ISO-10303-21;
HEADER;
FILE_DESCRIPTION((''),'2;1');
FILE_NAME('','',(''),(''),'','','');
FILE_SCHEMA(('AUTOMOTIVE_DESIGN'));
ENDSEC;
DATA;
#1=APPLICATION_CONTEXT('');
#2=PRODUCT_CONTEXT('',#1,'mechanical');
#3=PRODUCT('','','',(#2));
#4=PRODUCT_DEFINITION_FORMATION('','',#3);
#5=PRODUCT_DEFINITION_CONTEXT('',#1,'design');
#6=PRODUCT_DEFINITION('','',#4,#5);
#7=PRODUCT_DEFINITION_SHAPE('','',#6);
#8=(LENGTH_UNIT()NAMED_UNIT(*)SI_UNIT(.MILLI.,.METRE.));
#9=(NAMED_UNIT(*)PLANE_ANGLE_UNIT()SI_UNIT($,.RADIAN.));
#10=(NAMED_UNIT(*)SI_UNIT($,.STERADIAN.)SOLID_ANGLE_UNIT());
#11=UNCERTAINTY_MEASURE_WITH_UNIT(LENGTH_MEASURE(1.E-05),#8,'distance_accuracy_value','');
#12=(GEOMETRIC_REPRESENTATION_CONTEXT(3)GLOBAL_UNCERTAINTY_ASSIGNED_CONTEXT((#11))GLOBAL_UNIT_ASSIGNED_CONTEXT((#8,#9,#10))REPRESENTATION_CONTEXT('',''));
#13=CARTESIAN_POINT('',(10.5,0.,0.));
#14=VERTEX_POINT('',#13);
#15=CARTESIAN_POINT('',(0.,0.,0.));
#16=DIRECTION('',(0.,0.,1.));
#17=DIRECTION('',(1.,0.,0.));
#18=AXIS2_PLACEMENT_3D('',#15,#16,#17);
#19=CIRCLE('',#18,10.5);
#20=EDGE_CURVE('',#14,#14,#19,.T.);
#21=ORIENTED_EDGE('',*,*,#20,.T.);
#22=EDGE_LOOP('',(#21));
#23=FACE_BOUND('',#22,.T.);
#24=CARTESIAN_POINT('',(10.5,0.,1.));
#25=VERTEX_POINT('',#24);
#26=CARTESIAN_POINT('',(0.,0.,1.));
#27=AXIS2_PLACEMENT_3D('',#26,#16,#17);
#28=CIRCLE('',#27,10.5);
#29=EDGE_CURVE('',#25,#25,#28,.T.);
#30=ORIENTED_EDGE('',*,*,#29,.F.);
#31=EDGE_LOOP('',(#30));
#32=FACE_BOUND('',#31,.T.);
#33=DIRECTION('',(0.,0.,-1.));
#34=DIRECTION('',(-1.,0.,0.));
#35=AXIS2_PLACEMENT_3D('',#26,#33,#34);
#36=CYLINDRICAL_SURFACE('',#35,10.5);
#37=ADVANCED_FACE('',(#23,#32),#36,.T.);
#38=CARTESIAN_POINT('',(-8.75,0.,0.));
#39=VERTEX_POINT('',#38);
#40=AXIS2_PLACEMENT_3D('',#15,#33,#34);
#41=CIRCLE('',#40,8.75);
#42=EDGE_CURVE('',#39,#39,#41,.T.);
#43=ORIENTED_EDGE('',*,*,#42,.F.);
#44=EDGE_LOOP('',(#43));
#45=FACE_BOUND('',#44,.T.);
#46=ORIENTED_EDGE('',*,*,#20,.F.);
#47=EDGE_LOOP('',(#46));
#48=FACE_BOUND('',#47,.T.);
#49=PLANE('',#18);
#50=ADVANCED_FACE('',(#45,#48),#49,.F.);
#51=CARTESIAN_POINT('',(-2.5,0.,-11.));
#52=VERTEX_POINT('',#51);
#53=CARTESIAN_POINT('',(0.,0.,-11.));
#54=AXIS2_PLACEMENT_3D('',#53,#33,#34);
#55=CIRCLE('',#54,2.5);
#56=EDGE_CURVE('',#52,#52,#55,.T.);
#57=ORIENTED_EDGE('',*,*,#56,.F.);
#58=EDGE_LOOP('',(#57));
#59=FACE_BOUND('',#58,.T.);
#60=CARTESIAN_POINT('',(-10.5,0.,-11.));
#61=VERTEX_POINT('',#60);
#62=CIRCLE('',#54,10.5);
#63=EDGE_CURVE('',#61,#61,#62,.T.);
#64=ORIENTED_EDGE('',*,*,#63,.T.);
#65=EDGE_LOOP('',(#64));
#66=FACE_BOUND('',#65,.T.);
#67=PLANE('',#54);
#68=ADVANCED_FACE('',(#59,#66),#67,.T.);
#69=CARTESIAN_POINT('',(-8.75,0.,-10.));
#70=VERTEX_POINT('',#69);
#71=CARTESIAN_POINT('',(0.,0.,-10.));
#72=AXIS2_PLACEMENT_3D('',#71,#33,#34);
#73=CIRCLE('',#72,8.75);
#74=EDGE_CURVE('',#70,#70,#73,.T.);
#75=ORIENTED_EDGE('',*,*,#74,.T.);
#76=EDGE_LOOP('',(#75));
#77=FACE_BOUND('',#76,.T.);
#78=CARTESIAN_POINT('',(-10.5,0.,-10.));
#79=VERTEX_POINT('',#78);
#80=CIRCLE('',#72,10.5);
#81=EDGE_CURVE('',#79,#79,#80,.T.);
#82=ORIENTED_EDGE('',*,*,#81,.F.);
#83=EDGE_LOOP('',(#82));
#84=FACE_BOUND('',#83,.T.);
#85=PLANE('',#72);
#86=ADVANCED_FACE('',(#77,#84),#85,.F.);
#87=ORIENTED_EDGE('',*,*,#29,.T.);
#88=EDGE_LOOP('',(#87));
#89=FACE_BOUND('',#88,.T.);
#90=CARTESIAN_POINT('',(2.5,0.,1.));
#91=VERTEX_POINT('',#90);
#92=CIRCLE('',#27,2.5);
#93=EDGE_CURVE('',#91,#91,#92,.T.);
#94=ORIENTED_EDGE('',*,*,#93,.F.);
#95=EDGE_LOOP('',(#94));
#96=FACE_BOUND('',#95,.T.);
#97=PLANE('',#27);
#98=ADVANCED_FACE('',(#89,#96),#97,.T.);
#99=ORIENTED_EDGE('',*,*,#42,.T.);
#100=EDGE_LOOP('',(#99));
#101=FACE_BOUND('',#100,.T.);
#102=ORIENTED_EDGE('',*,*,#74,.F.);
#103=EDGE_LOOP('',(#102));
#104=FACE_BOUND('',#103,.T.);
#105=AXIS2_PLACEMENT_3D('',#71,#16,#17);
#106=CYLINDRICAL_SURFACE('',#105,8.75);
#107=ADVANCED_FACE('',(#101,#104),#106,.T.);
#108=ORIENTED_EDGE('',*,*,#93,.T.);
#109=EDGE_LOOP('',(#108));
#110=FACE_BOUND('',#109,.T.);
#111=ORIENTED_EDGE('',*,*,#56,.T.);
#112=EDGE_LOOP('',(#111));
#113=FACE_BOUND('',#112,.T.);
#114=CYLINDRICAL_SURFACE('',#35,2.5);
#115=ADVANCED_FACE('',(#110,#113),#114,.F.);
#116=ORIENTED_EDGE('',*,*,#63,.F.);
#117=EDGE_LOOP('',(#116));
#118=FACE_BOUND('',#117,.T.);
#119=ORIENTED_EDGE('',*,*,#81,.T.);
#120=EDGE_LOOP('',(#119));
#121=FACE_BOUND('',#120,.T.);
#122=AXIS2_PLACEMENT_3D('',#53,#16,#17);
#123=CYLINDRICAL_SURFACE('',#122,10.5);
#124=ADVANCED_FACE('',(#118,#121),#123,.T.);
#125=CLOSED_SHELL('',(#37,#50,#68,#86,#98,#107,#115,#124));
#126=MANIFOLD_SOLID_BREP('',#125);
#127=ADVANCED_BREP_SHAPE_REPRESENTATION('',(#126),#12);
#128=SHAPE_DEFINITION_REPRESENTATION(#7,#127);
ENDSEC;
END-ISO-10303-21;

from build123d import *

# Parameters (mm, degrees)
ESQUISSE1_R        = 10.5
ESQUISSE1_R_2      = 2.5
BOSS_EXTRU_1_DEPTH = 1
ESQUISSE2_R        = 8.75
ESQUISSE2_R_2      = 2.5
BOSS_EXTRU_2_DEPTH = 10
ESQUISSE3_R        = 10.5
ESQUISSE3_R_2      = 2.5
BOSS_EXTRU_3_DEPTH = 1


with BuildPart() as part:
    # Esquisse1 → Boss.-Extru.1 (new body)
    with BuildSketch(Plane.XY):
        Circle(ESQUISSE1_R)
        Circle(ESQUISSE1_R_2, mode=Mode.SUBTRACT)
    extrude(amount=BOSS_EXTRU_1_DEPTH)

    # Esquisse2 → Boss.-Extru.2 (add)
    with BuildSketch(Plane(origin=(0, 0, 0), x_dir=(-1, 0, 0), z_dir=(0, 0, -1))):
        Circle(ESQUISSE2_R)
        Circle(ESQUISSE2_R_2, mode=Mode.SUBTRACT)
    extrude(amount=BOSS_EXTRU_2_DEPTH)

    # Esquisse3 → Boss.-Extru.3 (add)
    with BuildSketch(Plane(origin=(0, 0, -10), x_dir=(-1, 0, 0), z_dir=(0, 0, -1))):
        Circle(ESQUISSE3_R)
        Circle(ESQUISSE3_R_2, mode=Mode.SUBTRACT)
    extrude(amount=BOSS_EXTRU_3_DEPTH)


solid = part.part
